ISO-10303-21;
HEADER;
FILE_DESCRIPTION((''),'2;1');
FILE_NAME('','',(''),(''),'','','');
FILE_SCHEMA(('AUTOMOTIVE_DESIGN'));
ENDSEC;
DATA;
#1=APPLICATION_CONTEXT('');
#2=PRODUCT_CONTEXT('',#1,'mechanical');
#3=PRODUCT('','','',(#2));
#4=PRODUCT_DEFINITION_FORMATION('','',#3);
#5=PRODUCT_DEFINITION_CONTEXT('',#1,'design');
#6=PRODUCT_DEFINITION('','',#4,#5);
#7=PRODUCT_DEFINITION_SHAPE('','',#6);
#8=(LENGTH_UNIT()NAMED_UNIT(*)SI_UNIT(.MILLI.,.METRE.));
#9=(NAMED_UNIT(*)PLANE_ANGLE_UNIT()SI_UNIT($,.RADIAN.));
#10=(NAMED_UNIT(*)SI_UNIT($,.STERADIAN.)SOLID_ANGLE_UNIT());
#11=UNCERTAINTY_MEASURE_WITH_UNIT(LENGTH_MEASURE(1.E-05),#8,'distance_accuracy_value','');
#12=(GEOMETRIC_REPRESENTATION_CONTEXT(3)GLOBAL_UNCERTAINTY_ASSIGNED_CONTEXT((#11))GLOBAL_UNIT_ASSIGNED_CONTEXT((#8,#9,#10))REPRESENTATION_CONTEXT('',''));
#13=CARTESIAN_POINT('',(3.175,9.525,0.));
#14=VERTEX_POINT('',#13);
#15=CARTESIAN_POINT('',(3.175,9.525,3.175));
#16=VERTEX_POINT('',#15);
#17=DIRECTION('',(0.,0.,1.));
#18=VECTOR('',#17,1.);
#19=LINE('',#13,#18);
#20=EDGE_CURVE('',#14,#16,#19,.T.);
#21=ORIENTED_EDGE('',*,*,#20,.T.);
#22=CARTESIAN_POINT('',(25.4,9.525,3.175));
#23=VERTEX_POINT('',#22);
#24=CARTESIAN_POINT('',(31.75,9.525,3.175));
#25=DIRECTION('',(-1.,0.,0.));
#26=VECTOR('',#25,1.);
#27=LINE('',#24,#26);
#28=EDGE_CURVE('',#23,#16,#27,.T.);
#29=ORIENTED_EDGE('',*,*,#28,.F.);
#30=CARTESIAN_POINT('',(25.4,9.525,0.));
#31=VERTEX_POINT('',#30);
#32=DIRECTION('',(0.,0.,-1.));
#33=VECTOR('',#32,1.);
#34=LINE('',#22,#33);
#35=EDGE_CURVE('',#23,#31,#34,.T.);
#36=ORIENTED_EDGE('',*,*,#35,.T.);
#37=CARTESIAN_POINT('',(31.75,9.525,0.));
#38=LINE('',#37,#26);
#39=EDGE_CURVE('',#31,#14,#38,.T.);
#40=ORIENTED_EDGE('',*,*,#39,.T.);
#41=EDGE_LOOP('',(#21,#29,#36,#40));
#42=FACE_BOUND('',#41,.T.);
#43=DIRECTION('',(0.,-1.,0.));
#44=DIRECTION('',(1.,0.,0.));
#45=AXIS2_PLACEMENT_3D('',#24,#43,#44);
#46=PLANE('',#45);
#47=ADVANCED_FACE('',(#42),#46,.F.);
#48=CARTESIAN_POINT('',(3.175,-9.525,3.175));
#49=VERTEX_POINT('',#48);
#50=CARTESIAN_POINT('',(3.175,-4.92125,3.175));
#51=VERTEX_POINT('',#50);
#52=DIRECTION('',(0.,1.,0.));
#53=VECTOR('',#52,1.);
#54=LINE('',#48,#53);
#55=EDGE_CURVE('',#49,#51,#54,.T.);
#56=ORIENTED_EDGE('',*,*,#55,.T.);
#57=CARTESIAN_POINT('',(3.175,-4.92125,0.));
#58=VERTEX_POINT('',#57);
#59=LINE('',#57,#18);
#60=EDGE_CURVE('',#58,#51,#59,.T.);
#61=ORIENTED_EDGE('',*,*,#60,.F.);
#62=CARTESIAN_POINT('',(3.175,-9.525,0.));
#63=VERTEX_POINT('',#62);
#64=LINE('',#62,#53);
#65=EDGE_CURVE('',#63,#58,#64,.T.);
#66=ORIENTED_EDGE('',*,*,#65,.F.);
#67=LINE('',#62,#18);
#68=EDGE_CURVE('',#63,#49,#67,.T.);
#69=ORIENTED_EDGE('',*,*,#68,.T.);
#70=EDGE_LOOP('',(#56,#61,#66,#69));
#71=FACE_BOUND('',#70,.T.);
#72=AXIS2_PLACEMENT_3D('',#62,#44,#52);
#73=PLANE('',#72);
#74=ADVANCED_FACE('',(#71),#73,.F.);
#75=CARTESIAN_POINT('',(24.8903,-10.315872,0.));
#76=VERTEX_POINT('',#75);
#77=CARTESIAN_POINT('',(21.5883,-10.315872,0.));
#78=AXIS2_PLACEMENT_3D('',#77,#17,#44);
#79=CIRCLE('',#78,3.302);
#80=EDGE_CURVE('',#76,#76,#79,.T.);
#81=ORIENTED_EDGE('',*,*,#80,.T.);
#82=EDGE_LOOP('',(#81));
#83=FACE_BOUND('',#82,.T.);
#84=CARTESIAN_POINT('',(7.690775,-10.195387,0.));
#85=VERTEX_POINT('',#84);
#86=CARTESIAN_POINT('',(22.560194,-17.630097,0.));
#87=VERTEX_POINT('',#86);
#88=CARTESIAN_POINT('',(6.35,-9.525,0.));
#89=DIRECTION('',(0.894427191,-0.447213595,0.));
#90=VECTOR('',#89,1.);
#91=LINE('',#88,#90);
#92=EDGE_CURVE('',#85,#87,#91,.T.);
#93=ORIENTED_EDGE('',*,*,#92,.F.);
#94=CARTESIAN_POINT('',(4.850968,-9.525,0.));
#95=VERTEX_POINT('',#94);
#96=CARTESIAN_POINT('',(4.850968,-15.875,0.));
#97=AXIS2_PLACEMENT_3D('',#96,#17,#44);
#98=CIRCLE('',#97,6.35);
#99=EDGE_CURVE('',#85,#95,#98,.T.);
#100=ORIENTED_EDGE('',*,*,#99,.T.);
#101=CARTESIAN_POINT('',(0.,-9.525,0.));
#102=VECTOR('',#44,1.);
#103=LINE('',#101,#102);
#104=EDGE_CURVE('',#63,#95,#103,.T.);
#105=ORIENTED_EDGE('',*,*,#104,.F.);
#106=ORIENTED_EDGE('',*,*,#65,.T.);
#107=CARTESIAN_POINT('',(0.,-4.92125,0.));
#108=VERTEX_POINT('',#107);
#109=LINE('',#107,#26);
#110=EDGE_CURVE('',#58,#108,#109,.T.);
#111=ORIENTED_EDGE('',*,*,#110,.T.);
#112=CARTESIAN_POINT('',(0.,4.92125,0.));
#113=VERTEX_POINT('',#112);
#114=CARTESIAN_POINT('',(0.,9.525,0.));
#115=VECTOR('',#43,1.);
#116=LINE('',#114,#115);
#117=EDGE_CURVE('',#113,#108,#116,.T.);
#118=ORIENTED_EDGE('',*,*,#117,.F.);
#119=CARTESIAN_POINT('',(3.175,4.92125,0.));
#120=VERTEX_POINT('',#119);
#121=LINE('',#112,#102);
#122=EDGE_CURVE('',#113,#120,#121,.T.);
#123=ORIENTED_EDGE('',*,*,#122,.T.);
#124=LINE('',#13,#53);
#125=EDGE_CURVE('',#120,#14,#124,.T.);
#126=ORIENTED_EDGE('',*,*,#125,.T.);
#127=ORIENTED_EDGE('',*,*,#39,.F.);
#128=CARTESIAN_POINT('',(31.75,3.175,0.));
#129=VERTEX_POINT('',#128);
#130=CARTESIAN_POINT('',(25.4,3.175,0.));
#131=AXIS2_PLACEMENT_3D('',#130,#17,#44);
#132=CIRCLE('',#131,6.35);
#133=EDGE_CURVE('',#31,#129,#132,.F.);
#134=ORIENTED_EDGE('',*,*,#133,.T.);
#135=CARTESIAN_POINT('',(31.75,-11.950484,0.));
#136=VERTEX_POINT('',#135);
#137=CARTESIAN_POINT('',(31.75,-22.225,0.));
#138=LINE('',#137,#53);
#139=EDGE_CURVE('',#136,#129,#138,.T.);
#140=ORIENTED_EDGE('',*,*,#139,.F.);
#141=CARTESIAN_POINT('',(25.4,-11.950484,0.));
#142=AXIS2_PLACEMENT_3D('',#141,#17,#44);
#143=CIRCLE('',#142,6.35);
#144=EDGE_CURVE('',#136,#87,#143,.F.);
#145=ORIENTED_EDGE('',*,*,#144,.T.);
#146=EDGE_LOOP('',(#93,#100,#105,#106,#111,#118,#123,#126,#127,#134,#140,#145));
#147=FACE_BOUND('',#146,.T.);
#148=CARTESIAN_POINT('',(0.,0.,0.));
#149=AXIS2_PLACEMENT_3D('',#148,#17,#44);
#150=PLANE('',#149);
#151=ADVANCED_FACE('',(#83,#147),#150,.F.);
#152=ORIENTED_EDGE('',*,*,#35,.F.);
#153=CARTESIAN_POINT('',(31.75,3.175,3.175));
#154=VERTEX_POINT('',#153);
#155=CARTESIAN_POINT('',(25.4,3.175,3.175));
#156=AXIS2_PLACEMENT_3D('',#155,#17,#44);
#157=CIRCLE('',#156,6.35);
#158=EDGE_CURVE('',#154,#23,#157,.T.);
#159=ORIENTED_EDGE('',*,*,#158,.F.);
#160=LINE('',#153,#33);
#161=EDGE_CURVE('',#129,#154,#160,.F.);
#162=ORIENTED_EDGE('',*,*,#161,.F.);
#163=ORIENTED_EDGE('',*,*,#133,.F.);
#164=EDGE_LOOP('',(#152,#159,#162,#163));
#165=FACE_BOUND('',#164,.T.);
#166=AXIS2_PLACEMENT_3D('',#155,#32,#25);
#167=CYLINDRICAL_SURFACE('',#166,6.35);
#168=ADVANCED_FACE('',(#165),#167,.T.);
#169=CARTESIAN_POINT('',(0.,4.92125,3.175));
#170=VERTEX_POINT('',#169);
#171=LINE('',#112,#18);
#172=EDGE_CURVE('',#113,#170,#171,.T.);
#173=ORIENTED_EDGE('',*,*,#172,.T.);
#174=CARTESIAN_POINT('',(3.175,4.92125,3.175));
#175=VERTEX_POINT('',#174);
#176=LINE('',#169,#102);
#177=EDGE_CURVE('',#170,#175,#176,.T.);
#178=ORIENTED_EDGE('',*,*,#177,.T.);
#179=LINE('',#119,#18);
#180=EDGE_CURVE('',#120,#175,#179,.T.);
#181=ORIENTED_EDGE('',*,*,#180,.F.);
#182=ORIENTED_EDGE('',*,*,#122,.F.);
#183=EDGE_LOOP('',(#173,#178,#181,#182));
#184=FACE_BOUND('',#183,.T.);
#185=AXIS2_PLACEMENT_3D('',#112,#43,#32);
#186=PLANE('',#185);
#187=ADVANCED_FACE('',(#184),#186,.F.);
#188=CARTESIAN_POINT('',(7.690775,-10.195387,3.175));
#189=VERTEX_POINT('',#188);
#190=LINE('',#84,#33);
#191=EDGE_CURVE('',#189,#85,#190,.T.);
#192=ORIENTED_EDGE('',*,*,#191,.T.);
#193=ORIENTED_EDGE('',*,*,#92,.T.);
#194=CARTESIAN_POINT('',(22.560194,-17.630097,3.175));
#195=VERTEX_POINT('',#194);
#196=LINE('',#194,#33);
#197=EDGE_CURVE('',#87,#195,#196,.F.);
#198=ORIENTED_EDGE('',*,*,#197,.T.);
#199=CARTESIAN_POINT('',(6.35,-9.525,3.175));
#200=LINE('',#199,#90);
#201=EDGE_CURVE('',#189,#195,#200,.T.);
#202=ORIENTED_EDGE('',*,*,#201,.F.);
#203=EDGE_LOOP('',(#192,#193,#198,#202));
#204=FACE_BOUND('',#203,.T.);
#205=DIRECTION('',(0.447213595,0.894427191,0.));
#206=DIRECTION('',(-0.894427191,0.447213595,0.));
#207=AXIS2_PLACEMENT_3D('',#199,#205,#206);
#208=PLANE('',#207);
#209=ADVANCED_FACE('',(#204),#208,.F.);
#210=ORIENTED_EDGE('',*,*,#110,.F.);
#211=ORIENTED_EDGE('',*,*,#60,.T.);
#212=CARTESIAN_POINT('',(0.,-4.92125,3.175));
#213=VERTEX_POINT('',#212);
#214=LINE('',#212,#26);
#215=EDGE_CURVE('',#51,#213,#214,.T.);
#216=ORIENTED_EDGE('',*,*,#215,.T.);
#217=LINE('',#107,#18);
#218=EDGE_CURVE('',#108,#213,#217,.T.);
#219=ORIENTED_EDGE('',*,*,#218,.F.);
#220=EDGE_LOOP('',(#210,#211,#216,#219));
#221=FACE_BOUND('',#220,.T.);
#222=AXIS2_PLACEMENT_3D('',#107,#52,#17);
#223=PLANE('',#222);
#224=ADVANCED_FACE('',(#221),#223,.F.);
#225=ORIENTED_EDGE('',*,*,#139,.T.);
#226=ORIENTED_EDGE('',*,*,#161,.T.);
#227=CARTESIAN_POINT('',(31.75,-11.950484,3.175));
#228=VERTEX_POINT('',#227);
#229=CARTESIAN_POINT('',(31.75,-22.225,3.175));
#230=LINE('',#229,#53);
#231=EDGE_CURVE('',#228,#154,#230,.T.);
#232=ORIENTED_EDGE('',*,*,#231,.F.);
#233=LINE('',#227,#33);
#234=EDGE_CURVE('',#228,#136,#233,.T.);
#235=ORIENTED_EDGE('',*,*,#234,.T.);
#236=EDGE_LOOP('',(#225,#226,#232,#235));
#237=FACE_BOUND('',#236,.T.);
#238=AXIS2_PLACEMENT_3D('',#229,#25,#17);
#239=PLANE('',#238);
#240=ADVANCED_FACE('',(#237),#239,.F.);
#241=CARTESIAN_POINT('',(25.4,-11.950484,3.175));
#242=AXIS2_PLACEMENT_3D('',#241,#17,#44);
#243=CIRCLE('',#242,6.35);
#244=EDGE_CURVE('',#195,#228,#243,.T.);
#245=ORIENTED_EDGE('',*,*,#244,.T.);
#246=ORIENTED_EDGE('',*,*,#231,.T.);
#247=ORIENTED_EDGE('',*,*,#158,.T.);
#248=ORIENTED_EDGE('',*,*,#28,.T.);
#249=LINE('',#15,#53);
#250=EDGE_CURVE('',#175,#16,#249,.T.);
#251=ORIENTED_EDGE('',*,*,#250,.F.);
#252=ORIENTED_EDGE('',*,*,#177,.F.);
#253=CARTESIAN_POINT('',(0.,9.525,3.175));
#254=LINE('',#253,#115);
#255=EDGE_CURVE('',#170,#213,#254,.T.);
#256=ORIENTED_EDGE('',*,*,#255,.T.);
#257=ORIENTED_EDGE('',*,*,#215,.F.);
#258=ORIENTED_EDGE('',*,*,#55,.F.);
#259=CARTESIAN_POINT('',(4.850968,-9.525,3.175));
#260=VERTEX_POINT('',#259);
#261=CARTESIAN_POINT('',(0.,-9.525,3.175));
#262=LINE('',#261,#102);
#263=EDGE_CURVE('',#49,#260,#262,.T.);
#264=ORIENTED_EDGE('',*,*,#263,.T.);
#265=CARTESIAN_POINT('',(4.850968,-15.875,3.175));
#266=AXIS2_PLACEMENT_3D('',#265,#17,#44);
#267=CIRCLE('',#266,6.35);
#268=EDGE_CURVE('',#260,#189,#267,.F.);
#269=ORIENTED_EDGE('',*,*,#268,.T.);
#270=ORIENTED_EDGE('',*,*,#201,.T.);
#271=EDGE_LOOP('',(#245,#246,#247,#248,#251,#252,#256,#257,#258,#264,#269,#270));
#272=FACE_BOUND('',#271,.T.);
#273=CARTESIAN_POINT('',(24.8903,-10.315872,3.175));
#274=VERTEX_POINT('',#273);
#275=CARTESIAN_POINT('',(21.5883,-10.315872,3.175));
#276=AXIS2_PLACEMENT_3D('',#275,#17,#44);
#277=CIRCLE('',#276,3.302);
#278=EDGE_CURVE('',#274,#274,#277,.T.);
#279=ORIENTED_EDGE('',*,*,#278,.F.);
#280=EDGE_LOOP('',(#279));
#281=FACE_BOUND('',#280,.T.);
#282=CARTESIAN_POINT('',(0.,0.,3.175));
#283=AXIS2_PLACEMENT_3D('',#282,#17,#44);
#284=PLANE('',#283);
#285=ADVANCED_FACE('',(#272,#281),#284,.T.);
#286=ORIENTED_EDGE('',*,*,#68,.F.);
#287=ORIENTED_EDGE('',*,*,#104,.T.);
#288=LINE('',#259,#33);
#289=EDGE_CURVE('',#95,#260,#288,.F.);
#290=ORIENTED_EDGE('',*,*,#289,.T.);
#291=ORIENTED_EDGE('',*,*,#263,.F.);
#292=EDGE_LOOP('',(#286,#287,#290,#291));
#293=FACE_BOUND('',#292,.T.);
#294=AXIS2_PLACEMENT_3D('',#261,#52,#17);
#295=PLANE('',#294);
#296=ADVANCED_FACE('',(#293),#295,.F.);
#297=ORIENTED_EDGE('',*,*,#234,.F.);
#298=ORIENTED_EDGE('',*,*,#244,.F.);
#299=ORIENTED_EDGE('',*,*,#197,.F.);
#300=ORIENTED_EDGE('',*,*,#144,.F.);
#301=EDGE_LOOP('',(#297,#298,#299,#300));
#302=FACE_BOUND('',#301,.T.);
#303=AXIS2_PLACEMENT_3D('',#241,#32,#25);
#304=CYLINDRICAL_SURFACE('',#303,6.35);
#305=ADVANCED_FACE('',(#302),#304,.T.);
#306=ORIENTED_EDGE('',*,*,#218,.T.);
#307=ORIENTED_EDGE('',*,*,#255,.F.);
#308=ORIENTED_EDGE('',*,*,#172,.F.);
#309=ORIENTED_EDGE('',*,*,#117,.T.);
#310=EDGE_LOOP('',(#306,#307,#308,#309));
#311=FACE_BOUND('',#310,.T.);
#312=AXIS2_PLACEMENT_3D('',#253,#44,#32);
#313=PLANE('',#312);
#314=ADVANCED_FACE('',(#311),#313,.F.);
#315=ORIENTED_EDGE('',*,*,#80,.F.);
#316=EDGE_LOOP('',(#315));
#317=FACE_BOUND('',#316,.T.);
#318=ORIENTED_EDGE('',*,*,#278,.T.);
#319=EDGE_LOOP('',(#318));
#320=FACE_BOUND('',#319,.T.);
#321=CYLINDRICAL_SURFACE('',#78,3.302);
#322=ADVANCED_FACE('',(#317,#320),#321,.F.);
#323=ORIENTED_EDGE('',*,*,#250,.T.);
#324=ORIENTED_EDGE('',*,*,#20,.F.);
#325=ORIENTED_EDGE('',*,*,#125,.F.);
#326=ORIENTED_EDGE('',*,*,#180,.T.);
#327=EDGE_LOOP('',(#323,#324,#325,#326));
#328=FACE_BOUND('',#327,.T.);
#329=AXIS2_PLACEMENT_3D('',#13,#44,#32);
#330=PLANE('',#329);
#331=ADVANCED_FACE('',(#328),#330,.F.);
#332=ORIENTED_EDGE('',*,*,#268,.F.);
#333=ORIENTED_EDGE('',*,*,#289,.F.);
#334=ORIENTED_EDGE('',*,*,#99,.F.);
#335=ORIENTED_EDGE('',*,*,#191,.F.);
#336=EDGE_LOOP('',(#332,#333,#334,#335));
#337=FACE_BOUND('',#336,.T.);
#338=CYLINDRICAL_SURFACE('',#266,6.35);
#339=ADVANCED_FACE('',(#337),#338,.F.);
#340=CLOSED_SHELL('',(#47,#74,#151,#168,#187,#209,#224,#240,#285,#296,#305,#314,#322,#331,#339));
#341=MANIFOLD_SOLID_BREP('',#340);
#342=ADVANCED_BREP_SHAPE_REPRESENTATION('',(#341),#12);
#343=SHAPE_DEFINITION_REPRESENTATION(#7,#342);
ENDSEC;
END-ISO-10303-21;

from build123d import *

# Parameters (mm, degrees)
BOSS_EXTRUDE1_DEPTH = 3.175
FILLET1_R           = 6.35
SKETCH3_R           = 3.302
CUT_EXTRUDE1_DEPTH  = 3.175
SKETCH4_W           = 3.175
SKETCH4_H           = 4.60375
CUT_EXTRUDE2_DEPTH  = 3.175


with BuildPart() as part:
    # Sketch1 → Boss-Extrude1 (new body)
    with BuildSketch(Plane.XY):
        Polygon((0, -9.525), (6.35, -9.525), (31.75, -22.225), (31.75, 9.525), (0, 9.525), align=None)
    extrude(amount=BOSS_EXTRUDE1_DEPTH)

    # Fillet1
    fillet1_edges = [part.edges().sort_by_distance(p)[0] for p in [
        (31.75, 9.525, 1.5875),
        (31.75, -22.225, 1.5875),
        (6.35, -9.525, 1.5875),
    ]]
    fillet(fillet1_edges, radius=FILLET1_R)

    # Sketch3 → Cut-Extrude1 (cut)
    with BuildSketch(Plane.XY.offset(3.175)):
        with Locations((21.588299978, -10.315871599)):
            Circle(SKETCH3_R)
    extrude(amount=-CUT_EXTRUDE1_DEPTH, mode=Mode.SUBTRACT)

    # Sketch4 → Cut-Extrude2 (cut)
    with BuildSketch(Plane.XY.offset(3.175)):
        with Locations((1.5875, 7.223125)):
            Rectangle(SKETCH4_W, SKETCH4_H)
        with Locations((1.5875, -7.223125)):
            Rectangle(SKETCH4_W, SKETCH4_H)
    extrude(amount=-CUT_EXTRUDE2_DEPTH, mode=Mode.SUBTRACT)


solid = part.part
